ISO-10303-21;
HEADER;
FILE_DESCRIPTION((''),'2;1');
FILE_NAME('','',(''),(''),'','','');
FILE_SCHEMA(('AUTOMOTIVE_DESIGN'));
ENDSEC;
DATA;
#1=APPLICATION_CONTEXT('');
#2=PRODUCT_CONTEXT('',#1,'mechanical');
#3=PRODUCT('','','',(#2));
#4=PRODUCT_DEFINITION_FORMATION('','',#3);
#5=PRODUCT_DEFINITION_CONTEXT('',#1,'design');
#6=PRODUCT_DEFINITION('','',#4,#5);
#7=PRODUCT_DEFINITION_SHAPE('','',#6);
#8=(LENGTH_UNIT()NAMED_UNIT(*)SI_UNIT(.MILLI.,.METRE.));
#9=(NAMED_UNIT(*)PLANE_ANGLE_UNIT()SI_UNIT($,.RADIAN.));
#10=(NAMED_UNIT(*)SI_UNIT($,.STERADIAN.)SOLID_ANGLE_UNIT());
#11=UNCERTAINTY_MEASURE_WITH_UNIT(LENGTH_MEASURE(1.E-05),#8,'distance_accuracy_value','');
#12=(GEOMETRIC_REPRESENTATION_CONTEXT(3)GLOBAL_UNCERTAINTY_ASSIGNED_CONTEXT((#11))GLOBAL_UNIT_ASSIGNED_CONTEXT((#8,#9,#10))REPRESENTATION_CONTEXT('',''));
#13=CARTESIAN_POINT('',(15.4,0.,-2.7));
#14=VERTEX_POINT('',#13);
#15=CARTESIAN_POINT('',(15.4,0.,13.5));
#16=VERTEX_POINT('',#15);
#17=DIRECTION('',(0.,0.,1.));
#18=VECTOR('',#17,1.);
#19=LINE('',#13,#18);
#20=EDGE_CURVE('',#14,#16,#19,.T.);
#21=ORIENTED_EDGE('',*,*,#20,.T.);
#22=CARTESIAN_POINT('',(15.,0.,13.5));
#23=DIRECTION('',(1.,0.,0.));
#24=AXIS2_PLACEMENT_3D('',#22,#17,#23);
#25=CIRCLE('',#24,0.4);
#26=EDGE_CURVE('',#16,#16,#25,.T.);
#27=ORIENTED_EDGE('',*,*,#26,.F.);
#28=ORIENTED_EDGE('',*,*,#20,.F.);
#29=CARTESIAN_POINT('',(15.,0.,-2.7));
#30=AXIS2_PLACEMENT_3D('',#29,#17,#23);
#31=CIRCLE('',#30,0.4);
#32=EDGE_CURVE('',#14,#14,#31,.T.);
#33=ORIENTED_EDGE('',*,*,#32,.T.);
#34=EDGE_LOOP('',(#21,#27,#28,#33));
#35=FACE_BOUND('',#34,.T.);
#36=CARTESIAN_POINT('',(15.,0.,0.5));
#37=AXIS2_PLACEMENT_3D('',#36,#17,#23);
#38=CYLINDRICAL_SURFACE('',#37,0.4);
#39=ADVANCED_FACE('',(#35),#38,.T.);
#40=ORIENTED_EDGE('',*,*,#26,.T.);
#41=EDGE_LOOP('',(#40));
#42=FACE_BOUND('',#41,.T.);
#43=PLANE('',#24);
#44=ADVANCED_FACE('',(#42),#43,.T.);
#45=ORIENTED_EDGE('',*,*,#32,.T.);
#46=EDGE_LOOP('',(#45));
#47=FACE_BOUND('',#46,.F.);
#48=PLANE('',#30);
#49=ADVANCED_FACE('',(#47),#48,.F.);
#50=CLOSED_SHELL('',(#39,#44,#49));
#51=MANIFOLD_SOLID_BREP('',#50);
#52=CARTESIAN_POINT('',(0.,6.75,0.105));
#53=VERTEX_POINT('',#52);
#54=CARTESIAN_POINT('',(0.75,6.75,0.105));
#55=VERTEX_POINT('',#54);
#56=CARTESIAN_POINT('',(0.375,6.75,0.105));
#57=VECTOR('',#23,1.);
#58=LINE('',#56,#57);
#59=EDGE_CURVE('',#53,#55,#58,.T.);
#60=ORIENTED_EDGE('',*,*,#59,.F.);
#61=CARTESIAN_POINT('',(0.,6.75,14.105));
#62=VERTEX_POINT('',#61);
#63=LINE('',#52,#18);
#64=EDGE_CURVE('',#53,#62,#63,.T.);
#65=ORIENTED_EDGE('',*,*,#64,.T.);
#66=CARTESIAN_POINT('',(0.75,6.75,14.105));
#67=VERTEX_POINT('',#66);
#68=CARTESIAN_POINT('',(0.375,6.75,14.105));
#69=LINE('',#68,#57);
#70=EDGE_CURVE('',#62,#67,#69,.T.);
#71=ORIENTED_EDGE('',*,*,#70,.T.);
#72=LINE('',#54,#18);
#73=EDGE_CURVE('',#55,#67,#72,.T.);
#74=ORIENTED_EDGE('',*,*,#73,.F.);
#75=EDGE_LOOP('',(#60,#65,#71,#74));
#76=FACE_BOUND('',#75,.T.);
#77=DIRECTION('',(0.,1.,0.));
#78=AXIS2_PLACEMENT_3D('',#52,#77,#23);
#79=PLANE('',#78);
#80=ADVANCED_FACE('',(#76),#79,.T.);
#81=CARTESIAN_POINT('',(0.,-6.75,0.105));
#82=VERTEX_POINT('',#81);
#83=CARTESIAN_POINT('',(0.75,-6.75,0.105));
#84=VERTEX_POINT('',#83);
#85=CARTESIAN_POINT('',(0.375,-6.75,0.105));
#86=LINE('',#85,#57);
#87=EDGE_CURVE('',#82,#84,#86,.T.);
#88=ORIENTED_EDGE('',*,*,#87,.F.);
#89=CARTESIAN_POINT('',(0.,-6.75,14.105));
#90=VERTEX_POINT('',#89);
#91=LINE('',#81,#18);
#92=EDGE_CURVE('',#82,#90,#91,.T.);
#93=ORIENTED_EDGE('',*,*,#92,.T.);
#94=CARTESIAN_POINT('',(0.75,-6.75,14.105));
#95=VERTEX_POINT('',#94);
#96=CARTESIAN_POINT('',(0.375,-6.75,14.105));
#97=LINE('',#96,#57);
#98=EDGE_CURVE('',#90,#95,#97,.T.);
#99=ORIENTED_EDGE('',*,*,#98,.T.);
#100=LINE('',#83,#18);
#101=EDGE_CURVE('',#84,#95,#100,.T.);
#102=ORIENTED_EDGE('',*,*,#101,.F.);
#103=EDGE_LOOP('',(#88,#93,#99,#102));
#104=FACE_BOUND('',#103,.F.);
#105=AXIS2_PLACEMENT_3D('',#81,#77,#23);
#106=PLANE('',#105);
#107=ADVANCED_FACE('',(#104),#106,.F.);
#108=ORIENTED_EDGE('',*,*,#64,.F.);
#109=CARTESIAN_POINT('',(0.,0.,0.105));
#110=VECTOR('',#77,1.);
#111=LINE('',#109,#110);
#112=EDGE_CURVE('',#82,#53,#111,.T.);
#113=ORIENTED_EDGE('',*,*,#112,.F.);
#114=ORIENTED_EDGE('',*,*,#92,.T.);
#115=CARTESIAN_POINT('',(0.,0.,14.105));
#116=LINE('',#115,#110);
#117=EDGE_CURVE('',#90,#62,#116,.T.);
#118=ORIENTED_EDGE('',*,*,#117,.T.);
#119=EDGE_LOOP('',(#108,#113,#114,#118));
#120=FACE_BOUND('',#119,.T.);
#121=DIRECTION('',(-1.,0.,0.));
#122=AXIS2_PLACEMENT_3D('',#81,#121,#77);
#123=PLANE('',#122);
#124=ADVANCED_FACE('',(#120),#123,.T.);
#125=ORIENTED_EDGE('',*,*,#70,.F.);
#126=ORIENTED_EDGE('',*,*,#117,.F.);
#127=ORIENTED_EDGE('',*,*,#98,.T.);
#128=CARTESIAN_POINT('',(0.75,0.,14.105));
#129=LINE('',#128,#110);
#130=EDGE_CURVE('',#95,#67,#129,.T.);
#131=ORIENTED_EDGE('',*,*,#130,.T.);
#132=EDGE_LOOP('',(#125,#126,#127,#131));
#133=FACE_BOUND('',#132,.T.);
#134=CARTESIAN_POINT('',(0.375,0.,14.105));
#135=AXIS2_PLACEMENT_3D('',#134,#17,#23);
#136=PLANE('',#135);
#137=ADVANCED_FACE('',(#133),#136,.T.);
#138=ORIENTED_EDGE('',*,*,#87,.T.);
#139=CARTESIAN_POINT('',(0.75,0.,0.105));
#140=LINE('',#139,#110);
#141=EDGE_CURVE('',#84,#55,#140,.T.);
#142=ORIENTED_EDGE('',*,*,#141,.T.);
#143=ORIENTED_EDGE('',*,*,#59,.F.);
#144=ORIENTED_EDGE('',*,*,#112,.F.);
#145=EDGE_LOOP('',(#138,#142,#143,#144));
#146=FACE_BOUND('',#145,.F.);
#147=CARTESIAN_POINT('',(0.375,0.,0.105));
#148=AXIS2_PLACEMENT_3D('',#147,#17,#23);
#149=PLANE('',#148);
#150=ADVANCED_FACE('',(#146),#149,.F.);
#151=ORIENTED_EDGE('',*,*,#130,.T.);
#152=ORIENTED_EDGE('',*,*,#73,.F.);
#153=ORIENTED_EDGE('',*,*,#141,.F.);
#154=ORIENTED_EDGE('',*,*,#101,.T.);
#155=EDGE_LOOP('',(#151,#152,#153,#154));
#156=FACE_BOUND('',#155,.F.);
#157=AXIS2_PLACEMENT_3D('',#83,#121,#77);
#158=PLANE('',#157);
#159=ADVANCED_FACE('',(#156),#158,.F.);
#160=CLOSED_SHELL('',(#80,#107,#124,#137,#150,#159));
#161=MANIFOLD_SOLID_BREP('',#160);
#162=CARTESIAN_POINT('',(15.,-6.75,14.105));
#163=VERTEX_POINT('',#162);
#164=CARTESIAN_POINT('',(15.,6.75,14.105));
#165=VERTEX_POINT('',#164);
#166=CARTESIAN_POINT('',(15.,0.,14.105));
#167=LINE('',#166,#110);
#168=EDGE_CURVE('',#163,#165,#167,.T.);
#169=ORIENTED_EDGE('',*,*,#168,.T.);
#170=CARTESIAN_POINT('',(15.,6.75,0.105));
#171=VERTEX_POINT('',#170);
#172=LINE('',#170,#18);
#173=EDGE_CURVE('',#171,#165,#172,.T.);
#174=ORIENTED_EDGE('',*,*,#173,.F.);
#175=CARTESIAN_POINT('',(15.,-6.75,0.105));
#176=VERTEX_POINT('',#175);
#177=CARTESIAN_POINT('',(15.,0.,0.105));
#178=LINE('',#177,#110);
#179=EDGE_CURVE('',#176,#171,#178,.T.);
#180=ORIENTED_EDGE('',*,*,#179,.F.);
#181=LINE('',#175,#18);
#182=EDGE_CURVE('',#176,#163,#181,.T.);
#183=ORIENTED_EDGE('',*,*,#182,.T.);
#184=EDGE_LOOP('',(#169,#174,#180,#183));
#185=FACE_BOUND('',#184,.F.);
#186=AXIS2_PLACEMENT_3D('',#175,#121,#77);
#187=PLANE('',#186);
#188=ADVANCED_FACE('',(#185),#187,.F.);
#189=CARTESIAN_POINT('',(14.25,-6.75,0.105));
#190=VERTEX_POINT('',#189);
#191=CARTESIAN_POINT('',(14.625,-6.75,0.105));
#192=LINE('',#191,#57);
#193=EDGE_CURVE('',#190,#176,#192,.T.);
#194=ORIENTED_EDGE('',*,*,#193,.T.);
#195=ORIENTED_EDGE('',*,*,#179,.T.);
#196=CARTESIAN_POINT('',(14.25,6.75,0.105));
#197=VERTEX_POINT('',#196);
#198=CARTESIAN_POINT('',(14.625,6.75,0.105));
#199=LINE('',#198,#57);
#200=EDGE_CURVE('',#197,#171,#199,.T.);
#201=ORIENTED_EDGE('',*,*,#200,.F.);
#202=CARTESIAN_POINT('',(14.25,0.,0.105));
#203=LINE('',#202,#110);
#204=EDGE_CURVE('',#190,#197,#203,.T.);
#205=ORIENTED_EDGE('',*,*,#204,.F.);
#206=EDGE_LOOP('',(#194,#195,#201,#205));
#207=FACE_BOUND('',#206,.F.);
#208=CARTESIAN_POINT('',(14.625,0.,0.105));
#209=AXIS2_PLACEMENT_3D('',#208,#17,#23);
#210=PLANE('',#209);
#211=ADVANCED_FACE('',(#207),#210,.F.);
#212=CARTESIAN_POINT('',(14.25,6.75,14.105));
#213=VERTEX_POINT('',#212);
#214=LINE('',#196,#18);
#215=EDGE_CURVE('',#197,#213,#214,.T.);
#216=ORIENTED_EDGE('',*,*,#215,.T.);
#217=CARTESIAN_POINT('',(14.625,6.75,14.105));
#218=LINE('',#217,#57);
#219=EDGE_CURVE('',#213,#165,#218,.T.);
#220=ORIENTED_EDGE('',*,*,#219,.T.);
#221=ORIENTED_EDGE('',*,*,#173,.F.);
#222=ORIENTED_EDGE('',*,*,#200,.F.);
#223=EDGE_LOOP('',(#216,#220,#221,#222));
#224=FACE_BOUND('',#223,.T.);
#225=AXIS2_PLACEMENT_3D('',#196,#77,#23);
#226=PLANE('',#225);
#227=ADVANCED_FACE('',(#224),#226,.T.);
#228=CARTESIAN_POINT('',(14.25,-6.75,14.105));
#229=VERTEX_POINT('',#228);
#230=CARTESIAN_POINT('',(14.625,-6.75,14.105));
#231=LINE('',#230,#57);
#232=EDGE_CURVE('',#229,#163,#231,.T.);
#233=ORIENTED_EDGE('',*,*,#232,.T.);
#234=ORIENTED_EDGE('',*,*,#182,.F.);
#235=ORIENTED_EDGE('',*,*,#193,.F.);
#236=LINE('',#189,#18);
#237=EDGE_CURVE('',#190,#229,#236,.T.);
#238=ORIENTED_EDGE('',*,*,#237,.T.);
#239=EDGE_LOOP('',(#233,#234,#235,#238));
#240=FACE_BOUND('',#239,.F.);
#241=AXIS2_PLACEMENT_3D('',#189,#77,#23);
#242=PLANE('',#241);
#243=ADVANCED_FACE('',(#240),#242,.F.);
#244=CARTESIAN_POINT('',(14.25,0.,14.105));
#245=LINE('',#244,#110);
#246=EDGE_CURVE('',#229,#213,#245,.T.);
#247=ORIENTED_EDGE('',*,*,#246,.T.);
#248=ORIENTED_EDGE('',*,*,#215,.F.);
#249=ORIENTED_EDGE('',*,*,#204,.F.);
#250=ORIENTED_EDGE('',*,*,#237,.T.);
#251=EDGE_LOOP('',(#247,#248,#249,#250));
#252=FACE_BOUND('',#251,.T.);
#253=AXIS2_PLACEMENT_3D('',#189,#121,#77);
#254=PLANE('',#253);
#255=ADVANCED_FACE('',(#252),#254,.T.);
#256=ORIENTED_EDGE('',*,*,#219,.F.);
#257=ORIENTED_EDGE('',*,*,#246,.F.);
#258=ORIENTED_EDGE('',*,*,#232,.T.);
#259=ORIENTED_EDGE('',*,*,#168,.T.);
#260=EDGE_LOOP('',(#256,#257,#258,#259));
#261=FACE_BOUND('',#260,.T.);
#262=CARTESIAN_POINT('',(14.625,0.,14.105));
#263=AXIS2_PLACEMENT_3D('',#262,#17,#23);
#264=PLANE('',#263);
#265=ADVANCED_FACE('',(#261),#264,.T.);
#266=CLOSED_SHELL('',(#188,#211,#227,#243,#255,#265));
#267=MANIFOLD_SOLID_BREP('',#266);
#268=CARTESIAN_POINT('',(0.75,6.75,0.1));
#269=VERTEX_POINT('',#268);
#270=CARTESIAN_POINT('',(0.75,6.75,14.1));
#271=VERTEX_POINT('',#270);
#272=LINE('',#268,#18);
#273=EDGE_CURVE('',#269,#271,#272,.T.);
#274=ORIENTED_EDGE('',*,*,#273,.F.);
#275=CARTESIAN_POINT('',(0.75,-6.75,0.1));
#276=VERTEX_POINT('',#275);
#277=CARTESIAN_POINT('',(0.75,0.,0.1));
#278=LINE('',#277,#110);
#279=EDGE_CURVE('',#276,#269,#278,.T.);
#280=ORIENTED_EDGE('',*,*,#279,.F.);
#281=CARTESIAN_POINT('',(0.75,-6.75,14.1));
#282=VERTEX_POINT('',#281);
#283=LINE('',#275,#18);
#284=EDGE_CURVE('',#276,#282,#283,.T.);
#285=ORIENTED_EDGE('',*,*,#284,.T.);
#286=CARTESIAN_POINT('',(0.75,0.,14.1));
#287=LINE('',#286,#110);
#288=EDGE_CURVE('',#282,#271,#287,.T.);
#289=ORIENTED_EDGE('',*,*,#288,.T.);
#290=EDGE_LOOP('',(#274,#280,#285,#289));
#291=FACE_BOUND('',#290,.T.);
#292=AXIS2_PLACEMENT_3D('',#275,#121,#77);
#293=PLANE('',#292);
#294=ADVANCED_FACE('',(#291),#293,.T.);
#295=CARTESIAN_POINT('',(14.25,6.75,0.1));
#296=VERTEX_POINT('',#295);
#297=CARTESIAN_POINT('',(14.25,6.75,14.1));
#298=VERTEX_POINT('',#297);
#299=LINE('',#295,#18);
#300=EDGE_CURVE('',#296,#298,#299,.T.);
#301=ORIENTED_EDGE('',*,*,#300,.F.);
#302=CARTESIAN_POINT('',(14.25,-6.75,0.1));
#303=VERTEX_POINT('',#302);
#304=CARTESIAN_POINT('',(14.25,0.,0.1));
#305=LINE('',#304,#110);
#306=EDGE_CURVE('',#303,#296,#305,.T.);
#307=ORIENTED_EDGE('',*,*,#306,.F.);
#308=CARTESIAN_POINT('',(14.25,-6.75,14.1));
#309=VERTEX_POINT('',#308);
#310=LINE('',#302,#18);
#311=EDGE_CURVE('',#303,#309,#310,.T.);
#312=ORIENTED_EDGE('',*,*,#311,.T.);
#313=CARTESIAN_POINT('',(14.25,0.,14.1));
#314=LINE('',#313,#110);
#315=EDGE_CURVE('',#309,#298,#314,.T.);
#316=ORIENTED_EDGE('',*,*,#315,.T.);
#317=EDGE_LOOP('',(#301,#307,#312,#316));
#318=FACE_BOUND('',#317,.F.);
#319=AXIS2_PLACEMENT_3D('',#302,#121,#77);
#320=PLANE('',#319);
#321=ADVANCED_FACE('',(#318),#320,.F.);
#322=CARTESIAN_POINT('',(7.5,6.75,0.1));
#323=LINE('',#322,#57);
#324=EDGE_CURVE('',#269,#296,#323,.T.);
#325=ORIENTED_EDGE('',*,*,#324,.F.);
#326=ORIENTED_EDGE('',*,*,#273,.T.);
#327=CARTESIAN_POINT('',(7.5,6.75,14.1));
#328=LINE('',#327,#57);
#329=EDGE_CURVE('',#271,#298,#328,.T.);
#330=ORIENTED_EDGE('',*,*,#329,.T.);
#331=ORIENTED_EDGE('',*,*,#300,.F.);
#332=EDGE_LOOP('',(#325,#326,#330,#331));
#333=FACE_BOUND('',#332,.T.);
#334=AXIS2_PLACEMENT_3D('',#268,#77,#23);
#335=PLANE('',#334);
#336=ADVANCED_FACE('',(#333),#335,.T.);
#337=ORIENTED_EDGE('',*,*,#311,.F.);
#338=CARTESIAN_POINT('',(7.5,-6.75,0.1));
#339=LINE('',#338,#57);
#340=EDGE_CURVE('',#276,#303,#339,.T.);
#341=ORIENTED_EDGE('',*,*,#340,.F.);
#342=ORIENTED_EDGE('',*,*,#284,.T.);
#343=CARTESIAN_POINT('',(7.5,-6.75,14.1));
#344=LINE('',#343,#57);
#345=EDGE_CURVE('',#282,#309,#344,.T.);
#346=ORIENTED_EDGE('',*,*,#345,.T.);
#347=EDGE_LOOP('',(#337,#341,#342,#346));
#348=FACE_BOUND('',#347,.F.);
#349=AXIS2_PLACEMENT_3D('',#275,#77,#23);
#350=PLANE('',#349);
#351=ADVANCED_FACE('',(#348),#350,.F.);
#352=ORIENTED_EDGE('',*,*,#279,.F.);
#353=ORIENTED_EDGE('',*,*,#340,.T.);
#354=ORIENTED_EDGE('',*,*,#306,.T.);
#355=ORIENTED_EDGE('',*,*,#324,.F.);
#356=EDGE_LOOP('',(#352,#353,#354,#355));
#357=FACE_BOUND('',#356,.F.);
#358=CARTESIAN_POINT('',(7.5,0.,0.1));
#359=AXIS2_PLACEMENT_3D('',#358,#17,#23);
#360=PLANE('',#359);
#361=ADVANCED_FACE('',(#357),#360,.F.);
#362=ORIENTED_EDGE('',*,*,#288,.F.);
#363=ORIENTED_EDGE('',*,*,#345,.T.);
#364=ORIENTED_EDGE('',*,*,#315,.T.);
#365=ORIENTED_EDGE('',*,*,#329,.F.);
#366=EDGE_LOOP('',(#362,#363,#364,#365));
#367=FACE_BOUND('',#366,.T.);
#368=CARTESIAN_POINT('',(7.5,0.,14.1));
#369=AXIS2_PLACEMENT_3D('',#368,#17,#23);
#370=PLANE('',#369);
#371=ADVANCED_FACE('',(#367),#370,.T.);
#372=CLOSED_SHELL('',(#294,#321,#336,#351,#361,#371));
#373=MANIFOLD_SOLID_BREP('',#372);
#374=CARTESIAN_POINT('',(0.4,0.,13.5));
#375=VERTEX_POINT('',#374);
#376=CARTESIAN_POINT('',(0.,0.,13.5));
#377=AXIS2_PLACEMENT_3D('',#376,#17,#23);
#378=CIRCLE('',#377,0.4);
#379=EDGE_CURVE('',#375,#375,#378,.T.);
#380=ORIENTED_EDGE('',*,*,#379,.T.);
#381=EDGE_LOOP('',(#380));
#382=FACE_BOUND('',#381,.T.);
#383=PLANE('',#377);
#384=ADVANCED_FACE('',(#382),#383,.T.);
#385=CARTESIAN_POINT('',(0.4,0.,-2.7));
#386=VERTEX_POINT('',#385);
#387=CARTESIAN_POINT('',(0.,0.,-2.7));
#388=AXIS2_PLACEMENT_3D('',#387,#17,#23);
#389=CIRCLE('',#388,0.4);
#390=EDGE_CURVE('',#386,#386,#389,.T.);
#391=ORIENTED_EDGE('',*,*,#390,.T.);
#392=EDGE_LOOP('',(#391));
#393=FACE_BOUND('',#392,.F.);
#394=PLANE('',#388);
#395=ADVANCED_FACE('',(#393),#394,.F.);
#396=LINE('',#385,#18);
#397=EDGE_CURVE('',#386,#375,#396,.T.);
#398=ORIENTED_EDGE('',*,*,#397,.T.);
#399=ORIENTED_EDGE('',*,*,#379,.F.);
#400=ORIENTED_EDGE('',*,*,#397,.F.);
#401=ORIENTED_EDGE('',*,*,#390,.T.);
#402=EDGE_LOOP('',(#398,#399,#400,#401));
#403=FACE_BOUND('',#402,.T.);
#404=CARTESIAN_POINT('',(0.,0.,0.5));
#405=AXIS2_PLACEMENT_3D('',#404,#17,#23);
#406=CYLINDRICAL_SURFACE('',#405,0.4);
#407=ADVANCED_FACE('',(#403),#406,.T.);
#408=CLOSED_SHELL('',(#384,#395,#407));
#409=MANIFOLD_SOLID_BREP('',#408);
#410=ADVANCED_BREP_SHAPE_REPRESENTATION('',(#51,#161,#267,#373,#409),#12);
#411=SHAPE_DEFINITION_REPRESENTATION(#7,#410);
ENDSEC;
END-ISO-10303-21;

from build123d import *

# Parameters (mm, degrees)
SKETCH_W          = 13.5
SKETCH_H          = 13.5
PAD_DEPTH         = 14
SKETCH001_R       = 0.4
PAD001_DEPTH      = 13
PAD001_DEPTH_BACK = 3.2
SKETCH002_W       = 0.75
SKETCH002_H       = 13.5
PAD002_DEPTH      = 14


with BuildPart() as pad:
    # Sketch → Pad (new body)
    with BuildSketch(Plane.XY.offset(0.1)):
        with Locations((7.5, 0)):
            Rectangle(SKETCH_W, SKETCH_H)
    extrude(amount=PAD_DEPTH)


with BuildPart() as pad001:
    # Sketch001 → Pad001 (new body, two sides)
    with BuildSketch(Plane.XY.offset(0.5)) as pad001_sk:
        Circle(SKETCH001_R)
        with Locations((15, 0)):
            Circle(SKETCH001_R)
    extrude(amount=PAD001_DEPTH)
    extrude(pad001_sk.sketch, amount=-PAD001_DEPTH_BACK)


with BuildPart() as pad002:
    # Sketch002 → Pad002 (new body)
    with BuildSketch(Plane.XY.offset(0.105)):
        with Locations((0.375, 0)):
            Rectangle(SKETCH002_W, SKETCH002_H)
        with Locations((14.625, 0)):
            Rectangle(SKETCH002_W, SKETCH002_H)
    extrude(amount=PAD002_DEPTH)


solid = Compound([pad.part, pad001.part, pad002.part])
